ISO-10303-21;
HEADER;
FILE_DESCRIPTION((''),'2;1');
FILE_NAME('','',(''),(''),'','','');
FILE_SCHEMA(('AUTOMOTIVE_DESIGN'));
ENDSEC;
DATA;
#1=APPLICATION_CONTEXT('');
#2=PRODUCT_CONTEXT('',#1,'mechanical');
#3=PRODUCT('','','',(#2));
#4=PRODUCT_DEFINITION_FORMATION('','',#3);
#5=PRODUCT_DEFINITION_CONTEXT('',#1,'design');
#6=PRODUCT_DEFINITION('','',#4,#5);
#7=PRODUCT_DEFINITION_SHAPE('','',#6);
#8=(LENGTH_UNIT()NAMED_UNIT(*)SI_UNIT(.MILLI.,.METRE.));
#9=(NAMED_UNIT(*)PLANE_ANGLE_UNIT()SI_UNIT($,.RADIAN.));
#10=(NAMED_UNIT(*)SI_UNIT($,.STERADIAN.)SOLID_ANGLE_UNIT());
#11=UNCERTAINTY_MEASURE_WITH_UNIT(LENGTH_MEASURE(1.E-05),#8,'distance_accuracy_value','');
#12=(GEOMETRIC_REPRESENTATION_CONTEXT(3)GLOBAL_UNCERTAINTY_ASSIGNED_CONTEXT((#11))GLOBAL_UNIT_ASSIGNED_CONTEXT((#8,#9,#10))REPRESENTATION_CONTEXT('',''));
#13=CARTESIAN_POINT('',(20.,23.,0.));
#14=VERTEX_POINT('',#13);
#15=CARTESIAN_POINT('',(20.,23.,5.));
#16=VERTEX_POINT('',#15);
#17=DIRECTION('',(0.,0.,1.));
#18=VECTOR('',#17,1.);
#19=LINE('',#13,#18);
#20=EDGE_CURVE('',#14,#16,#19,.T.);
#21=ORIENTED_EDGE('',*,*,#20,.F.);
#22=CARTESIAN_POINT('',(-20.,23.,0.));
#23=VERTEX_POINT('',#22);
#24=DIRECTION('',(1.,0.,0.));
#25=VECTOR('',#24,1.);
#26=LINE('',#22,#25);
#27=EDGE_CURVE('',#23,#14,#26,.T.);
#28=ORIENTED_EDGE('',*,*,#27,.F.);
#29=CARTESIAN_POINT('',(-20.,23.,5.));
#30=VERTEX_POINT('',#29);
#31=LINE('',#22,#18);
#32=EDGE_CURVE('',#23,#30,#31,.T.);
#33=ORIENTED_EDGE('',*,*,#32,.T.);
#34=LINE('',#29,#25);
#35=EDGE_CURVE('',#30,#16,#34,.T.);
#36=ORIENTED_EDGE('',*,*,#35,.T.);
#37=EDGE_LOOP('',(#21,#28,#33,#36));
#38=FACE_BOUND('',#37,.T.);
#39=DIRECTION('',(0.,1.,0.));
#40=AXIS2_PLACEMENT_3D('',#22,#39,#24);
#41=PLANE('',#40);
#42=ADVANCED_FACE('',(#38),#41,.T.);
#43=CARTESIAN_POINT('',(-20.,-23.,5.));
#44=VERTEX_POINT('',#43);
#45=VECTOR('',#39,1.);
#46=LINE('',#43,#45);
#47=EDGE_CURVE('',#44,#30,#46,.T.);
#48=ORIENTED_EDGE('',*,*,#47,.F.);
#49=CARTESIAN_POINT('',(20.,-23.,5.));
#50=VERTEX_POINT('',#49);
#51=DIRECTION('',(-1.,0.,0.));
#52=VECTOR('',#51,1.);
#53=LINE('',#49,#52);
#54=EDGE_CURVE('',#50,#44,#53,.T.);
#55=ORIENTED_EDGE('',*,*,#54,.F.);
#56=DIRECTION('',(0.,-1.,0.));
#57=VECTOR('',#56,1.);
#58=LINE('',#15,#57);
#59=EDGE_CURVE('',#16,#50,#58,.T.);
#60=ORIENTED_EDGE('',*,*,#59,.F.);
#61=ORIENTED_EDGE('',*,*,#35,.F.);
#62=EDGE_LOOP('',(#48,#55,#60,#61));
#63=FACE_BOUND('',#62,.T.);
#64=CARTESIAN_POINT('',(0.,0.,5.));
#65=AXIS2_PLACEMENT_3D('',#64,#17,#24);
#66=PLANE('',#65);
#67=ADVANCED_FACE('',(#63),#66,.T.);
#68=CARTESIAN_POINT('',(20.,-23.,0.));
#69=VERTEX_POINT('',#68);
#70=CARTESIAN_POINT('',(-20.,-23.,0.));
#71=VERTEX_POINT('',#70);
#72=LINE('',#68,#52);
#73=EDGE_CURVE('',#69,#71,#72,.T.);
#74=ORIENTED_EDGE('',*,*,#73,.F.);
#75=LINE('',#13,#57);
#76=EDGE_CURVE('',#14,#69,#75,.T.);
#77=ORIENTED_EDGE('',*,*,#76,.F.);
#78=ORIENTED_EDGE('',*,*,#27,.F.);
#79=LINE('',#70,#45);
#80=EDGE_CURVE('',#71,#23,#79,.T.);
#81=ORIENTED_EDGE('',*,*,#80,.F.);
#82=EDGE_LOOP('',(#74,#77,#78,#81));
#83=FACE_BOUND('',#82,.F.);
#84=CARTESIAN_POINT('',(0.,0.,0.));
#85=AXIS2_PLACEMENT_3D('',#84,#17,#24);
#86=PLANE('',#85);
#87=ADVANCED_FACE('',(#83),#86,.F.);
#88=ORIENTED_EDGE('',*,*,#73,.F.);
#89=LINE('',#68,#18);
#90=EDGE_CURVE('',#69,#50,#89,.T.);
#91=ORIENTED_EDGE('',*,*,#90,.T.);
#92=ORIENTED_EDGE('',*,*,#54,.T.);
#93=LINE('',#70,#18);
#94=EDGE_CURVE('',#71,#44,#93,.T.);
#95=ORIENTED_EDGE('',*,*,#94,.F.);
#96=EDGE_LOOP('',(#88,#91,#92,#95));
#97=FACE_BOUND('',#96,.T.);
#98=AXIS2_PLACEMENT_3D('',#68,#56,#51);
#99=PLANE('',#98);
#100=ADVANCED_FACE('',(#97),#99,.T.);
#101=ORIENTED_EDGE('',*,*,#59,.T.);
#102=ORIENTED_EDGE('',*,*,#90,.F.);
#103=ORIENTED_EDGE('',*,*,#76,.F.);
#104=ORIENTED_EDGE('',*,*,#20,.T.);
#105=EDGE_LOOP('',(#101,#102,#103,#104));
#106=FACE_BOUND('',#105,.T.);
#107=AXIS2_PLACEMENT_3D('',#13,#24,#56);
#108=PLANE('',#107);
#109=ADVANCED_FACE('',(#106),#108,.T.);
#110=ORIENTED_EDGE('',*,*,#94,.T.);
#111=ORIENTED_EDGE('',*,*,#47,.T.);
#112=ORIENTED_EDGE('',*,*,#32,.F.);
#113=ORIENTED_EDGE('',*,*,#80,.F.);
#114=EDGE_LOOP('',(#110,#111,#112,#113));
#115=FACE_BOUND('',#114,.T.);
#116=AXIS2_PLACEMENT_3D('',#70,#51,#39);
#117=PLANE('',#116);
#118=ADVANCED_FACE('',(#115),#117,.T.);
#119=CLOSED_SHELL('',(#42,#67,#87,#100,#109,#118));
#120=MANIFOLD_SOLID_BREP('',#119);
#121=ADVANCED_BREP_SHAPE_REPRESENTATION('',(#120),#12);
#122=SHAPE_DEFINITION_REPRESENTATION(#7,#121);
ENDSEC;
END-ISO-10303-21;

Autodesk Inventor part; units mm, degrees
ref_plane "YZ Plane" through (0, 0, 0) normal (1, 0, 0) x (0, 1, 0)
ref_plane "XZ Plane" through (0, 0, 0) normal (0, 1, 0) x (-1, 0, 0)
ref_plane "XY Plane" through (0, 0, 0) normal (0, 0, 1) x (1, 0, 0)
sketch "Sketch1" plane through (0, 0, 0) normal (0, 0, 1) x (1, 0, 0)
  line L0 (20, -23) -> (-20, -23)
  line L1 (-20, -23) -> (-20, 23)
  line L2 (-20, 23) -> (20, 23)
  line L3 (20, 23) -> (20, -23)
  line L4 (20, -23) -> (-20, 23) construction
  line L5 (-20, -23) -> (20, 23) construction
  line L6 (-10, -13) -> (10, -13)
  line L7 (10, -13) -> (10, 13)
  line L8 (10, 13) -> (-10, 13)
  line L9 (-10, 13) -> (-10, -13)
  point P0 (0, 0)
  dimension "d0" = 46
  dimension "d1" = 40
  dimension "d2" = 26
extrude "Extrusion1" add sketch "Sketch1" along normal blind 5
extrude "Extrusion2" add sketch "Sketch1" along normal blind 5 contours L9 L8 L7 L6
properties part number "Servo Stand" material "Wood (Walnut)"
